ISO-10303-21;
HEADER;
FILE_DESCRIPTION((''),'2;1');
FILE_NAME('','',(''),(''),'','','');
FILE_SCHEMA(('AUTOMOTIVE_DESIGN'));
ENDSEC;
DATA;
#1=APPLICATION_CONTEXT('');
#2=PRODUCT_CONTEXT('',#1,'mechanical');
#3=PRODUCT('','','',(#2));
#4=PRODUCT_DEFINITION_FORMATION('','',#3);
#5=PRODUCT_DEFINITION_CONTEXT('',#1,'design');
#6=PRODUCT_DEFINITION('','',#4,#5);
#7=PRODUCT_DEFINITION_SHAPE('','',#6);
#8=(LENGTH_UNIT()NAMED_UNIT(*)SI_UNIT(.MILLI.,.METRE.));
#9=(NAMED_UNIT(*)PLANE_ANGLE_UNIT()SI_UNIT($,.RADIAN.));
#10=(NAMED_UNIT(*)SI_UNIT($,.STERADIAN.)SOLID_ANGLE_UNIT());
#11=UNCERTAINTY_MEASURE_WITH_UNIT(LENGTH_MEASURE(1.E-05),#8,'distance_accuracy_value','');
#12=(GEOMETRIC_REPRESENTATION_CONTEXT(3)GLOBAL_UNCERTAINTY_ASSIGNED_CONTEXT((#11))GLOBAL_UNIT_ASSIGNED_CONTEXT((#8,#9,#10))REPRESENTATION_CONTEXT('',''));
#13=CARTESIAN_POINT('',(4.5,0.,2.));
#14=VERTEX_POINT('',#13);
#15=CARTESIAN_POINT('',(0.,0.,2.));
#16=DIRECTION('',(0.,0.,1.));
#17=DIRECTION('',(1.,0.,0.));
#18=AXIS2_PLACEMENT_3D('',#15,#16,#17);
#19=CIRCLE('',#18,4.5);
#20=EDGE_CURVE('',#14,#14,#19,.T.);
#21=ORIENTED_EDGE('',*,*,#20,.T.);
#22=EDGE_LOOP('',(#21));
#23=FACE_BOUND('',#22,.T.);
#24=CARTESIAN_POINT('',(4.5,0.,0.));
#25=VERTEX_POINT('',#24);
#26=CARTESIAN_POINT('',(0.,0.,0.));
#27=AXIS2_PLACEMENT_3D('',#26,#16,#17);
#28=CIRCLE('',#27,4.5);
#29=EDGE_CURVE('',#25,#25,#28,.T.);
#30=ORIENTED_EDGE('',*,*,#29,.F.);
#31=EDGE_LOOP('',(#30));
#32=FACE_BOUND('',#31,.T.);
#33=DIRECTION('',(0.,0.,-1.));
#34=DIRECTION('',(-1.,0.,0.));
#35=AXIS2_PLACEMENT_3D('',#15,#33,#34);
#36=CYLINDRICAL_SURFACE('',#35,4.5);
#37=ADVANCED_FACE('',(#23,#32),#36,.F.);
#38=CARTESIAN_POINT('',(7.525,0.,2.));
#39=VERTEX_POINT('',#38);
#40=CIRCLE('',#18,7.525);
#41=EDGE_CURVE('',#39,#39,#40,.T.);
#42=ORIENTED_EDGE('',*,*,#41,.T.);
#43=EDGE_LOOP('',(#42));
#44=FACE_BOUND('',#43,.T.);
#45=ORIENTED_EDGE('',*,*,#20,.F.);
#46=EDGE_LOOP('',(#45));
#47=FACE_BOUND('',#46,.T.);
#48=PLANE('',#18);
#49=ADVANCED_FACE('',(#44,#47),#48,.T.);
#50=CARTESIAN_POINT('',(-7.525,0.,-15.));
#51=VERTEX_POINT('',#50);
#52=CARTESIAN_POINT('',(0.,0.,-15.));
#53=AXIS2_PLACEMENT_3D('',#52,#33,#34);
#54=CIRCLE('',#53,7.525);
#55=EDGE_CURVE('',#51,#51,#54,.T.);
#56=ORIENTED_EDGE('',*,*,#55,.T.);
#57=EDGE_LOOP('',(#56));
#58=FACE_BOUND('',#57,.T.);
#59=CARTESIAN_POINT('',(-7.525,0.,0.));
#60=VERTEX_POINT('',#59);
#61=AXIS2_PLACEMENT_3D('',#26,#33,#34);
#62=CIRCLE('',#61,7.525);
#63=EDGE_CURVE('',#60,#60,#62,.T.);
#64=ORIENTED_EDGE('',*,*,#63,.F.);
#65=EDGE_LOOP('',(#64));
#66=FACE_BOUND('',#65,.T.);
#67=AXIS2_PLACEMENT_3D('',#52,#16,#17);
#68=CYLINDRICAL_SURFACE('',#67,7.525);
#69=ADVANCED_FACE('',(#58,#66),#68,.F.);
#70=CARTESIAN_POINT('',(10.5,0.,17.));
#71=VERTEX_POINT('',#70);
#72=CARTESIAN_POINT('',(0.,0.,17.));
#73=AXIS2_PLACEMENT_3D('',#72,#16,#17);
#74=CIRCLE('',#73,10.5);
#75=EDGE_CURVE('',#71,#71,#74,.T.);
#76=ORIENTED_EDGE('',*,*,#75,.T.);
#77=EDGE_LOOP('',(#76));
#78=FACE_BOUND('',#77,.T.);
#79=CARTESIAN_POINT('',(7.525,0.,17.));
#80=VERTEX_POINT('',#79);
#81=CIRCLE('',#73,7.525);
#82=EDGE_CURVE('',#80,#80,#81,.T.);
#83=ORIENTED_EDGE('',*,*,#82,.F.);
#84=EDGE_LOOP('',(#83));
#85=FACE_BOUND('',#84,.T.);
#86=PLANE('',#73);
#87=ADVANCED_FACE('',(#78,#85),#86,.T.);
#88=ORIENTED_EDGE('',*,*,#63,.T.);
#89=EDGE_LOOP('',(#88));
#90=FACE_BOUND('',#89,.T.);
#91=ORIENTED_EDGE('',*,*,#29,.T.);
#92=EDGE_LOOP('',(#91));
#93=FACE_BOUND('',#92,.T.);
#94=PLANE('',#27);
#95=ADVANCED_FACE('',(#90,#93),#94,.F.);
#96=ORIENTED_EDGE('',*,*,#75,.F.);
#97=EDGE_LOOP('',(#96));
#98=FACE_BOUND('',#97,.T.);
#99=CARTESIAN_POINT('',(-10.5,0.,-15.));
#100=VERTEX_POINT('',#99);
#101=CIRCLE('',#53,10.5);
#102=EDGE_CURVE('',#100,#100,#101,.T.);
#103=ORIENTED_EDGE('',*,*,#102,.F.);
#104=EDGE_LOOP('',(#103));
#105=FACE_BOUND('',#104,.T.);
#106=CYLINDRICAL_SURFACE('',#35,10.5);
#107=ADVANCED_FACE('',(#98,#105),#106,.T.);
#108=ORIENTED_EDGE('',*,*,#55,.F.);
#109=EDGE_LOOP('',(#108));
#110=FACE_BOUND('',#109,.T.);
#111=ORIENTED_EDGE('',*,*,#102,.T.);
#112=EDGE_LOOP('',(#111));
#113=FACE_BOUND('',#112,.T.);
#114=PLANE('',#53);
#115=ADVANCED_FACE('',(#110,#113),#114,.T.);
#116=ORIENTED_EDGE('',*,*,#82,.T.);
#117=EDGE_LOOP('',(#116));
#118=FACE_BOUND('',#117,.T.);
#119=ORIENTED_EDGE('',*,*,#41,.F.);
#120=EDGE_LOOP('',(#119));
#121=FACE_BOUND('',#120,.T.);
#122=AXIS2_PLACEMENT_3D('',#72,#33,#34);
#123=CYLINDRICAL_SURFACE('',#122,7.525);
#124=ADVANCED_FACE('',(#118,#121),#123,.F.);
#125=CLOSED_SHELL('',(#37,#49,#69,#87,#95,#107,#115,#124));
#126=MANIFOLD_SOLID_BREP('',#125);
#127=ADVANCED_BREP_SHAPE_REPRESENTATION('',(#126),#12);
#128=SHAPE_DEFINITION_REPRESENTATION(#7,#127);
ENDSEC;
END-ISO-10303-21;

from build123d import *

# Parameters (mm, degrees)
SKETCH_1_R      = 10.5
SKETCH_1_R_2    = 4.5
EXTRUDE_1_DEPTH = 2
SKETCH_2_R      = 10.5
SKETCH_2_R_2    = 7.525
EXTRUDE_2_DEPTH = 15
EXTRUDE_START   = 15
SKETCH_3_R      = 10.5
SKETCH_3_R_2    = 7.525
EXTRUDE_3_DEPTH = 15


with BuildPart() as part:
    # 草图1 → 凸台-拉伸1 (new body)
    with BuildSketch(Plane.XY):
        Circle(SKETCH_1_R)
        Circle(SKETCH_1_R_2, mode=Mode.SUBTRACT)
    extrude(amount=EXTRUDE_1_DEPTH)

    # 草图2 → 凸台-拉伸2 (add)
    with BuildSketch(Plane.XY.offset(2)):
        Circle(SKETCH_2_R)
        Circle(SKETCH_2_R_2, mode=Mode.SUBTRACT)
    extrude(amount=EXTRUDE_2_DEPTH)

    # 草图3 → 凸台-拉伸3 (add)
    with BuildSketch(Plane(origin=(0, 0, 0), x_dir=(-1, 0, 0), z_dir=(0, 0, -1)).offset(EXTRUDE_START)):
        Circle(SKETCH_3_R)
        with Locations(Location((0, 0, 0), (0, 0, 180))):
            Circle(SKETCH_3_R_2, mode=Mode.SUBTRACT)
    extrude(amount=-EXTRUDE_3_DEPTH)


solid = part.part
